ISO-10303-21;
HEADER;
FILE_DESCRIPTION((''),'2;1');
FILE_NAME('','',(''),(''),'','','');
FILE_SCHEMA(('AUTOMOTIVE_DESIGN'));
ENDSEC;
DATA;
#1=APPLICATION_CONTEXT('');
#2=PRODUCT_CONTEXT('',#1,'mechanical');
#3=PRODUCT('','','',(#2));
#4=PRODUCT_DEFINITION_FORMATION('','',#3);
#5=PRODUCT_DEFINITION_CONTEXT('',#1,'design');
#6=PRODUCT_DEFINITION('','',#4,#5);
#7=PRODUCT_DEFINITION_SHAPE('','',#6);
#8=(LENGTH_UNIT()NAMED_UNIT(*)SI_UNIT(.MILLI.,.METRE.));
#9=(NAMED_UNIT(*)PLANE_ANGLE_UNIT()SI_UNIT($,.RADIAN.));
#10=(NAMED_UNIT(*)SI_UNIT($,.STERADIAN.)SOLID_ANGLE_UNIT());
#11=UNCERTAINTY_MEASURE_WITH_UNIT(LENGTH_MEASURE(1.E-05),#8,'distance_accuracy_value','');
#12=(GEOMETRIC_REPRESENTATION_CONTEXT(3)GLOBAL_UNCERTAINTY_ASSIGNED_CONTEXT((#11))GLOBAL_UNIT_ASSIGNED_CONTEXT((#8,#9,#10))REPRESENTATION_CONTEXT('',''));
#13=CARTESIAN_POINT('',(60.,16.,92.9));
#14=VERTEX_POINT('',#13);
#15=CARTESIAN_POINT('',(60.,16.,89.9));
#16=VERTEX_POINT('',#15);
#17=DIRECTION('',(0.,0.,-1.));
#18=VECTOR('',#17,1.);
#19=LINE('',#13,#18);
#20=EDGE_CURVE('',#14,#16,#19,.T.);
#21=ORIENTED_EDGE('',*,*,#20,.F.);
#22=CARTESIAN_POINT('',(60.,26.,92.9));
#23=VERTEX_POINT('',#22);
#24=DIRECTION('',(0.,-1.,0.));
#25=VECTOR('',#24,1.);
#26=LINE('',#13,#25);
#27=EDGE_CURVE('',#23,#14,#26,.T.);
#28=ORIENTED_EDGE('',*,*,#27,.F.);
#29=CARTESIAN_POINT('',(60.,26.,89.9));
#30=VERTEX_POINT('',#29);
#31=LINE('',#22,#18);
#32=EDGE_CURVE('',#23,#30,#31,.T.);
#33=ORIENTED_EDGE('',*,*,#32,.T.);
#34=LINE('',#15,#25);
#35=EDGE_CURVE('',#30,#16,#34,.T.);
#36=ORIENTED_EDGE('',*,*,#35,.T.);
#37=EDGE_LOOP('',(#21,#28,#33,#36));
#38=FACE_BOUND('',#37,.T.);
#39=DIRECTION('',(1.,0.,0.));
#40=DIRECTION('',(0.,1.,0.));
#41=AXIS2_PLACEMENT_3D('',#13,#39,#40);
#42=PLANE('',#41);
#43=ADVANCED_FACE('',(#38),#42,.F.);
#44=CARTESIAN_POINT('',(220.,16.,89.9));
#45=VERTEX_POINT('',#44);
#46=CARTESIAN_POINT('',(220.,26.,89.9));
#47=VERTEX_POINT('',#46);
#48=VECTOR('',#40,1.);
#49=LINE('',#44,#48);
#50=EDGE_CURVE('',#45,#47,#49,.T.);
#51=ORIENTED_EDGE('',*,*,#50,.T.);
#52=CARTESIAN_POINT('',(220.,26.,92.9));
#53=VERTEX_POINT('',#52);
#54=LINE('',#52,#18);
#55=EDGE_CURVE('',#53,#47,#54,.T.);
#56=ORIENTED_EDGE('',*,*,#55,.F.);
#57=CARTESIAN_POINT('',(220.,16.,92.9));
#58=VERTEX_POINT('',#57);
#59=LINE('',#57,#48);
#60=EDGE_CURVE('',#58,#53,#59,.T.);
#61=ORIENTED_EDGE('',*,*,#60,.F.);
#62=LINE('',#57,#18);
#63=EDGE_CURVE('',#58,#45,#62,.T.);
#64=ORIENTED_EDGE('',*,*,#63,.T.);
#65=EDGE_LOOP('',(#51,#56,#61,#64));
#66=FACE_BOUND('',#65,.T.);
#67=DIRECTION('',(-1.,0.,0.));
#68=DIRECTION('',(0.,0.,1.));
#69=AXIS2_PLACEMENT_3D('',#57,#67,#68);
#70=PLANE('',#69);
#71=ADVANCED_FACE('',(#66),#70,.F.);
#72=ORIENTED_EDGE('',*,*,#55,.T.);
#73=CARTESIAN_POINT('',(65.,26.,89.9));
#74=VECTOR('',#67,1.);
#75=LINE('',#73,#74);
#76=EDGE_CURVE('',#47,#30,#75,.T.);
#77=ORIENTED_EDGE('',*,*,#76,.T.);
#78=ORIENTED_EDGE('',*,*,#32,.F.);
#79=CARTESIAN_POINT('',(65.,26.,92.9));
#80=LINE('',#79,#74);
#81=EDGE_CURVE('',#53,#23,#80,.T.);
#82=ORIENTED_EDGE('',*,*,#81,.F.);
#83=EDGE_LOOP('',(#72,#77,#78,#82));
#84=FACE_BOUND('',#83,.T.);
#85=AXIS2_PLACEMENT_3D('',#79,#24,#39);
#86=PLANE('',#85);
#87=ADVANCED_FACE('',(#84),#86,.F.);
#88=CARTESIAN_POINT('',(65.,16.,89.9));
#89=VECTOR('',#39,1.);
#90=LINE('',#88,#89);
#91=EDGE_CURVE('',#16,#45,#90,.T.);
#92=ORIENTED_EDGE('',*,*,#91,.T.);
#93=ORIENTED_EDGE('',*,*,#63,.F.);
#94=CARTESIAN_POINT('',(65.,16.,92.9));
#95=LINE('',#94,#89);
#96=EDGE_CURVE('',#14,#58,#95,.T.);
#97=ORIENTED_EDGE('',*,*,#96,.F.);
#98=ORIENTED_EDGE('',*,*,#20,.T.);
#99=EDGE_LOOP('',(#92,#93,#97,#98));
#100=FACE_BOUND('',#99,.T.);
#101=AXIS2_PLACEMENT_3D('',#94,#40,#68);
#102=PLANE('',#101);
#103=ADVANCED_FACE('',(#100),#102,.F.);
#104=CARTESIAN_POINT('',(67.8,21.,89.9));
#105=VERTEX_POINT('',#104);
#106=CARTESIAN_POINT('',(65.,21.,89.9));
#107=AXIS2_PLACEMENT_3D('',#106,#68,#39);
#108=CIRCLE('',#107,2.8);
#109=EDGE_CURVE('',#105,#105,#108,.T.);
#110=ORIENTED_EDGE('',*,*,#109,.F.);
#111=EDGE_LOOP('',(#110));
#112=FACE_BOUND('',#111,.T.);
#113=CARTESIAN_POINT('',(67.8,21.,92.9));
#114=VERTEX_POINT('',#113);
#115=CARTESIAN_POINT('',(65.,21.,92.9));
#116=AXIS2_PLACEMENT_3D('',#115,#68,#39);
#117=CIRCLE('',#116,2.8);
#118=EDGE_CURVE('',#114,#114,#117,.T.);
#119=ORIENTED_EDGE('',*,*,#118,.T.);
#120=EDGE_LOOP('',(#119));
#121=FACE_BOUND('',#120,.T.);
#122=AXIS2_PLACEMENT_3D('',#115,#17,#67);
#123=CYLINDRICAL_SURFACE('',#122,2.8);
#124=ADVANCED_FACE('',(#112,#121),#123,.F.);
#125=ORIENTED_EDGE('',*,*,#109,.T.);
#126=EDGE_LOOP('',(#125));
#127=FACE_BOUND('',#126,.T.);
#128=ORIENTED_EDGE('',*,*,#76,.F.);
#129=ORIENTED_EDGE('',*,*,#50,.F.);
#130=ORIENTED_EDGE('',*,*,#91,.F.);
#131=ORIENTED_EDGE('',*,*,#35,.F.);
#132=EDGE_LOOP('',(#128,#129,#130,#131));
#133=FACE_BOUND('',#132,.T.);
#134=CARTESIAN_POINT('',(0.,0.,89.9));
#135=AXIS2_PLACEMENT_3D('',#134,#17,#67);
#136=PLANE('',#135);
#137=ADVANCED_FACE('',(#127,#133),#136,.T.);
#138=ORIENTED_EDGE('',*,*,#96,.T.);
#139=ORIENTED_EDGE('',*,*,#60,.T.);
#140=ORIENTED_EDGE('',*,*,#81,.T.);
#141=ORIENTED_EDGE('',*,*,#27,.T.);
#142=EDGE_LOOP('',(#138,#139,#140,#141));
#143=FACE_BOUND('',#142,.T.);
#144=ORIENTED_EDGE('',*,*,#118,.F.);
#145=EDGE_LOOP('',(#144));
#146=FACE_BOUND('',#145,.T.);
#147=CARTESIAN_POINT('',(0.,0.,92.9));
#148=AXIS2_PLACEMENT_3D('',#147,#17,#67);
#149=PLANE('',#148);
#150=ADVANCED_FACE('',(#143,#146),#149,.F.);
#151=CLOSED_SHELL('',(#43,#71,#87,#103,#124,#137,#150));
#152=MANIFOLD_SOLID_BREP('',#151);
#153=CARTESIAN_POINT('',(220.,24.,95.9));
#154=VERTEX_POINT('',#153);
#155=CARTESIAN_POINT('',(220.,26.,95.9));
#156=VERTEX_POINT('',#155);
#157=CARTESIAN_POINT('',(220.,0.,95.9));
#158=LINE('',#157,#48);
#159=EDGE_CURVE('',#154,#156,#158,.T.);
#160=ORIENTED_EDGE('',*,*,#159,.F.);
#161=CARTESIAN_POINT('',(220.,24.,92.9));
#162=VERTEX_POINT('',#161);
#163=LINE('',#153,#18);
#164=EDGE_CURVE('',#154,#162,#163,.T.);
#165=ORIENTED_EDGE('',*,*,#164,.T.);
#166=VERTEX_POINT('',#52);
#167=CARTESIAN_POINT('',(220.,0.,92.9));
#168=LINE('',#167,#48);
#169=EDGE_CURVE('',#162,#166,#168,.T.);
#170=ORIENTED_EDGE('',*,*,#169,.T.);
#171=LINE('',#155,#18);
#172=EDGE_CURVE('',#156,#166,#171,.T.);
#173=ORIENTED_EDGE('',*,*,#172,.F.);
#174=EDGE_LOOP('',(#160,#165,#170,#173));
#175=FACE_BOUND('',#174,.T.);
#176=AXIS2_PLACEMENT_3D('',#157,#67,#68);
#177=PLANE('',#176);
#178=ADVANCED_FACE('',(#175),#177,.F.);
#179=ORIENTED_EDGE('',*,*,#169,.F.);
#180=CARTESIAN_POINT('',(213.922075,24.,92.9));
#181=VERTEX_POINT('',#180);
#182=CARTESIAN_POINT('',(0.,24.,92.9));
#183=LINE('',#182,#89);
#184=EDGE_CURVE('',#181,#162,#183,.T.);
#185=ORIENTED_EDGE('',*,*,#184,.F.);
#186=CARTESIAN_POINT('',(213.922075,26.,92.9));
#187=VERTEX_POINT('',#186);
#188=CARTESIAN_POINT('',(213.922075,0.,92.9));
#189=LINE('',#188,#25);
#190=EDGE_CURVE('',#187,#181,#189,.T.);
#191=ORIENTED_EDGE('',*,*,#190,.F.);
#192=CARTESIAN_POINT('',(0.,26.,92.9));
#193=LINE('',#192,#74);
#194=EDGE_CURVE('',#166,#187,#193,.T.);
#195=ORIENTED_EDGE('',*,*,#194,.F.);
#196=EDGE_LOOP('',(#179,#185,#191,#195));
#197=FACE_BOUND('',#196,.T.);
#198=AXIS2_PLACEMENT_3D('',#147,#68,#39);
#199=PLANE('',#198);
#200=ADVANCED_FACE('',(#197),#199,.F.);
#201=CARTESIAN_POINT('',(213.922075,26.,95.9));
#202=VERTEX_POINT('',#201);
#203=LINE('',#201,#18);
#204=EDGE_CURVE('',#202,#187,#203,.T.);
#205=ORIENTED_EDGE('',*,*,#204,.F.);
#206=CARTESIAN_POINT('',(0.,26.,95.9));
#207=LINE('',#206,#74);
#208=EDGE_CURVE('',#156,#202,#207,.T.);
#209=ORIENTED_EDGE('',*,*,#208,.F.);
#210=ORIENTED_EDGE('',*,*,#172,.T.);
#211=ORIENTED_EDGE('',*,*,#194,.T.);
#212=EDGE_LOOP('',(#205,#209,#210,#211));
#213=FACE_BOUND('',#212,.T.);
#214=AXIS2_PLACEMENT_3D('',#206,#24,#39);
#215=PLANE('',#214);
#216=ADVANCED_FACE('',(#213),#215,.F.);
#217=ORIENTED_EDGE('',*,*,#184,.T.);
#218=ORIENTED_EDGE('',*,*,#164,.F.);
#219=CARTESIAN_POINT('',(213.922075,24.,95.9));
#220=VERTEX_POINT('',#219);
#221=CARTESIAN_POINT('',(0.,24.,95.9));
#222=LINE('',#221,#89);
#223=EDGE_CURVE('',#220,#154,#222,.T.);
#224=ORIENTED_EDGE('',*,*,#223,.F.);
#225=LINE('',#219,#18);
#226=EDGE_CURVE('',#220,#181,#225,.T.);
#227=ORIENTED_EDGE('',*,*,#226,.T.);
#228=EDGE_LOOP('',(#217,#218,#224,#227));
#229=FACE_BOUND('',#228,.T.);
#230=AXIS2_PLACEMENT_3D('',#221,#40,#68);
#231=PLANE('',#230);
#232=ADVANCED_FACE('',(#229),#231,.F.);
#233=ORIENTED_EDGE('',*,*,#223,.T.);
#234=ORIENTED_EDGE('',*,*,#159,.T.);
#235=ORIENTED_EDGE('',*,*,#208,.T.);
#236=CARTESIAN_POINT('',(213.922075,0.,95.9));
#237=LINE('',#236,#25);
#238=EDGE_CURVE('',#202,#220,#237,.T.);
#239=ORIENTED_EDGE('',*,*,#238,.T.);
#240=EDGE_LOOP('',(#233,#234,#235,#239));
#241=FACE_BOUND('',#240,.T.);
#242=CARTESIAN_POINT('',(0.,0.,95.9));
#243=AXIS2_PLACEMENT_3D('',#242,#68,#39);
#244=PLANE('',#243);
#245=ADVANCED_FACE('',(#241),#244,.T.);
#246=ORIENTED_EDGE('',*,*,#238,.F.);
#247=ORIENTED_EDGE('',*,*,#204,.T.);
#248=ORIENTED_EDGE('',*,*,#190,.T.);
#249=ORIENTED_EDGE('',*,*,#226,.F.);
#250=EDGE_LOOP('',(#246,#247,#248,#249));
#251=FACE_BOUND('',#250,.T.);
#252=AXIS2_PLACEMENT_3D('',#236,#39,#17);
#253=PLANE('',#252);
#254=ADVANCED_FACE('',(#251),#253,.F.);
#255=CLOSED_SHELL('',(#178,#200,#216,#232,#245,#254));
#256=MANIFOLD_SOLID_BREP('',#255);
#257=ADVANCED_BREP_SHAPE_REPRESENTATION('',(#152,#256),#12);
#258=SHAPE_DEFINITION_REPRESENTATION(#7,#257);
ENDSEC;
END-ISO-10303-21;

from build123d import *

# Parameters (mm, degrees)
BOSS_EXTRUDE1_DEPTH = 3
SKETCH2_W           = 6.077925367
SKETCH2_H           = 2
BOSS_EXTRUDE2_DEPTH = 3


with BuildPart() as part:
    # Sketch1 → Boss-Extrude1 (new body)
    with BuildSketch(Plane.XY.offset(89.9)):
        Polygon((65, 16), (220, 16), (220, 26), (65, 26), (60, 26), (60, 16), align=None)
        with BuildLine():
            ThreePointArc((65, 18.2), (67.8, 21), (65, 23.8))
            ThreePointArc((65, 23.8), (62.2, 21), (65, 18.2))
        make_face(mode=Mode.SUBTRACT)
    extrude(amount=BOSS_EXTRUDE1_DEPTH)


with BuildPart() as body_2:
    # Sketch2 → Boss-Extrude2 (new body)
    with BuildSketch(Plane.XY.offset(92.9)):
        with Locations((216.961037317, 25)):
            Rectangle(SKETCH2_W, SKETCH2_H)
    extrude(amount=BOSS_EXTRUDE2_DEPTH)


solid = Compound([part.part, body_2.part])
